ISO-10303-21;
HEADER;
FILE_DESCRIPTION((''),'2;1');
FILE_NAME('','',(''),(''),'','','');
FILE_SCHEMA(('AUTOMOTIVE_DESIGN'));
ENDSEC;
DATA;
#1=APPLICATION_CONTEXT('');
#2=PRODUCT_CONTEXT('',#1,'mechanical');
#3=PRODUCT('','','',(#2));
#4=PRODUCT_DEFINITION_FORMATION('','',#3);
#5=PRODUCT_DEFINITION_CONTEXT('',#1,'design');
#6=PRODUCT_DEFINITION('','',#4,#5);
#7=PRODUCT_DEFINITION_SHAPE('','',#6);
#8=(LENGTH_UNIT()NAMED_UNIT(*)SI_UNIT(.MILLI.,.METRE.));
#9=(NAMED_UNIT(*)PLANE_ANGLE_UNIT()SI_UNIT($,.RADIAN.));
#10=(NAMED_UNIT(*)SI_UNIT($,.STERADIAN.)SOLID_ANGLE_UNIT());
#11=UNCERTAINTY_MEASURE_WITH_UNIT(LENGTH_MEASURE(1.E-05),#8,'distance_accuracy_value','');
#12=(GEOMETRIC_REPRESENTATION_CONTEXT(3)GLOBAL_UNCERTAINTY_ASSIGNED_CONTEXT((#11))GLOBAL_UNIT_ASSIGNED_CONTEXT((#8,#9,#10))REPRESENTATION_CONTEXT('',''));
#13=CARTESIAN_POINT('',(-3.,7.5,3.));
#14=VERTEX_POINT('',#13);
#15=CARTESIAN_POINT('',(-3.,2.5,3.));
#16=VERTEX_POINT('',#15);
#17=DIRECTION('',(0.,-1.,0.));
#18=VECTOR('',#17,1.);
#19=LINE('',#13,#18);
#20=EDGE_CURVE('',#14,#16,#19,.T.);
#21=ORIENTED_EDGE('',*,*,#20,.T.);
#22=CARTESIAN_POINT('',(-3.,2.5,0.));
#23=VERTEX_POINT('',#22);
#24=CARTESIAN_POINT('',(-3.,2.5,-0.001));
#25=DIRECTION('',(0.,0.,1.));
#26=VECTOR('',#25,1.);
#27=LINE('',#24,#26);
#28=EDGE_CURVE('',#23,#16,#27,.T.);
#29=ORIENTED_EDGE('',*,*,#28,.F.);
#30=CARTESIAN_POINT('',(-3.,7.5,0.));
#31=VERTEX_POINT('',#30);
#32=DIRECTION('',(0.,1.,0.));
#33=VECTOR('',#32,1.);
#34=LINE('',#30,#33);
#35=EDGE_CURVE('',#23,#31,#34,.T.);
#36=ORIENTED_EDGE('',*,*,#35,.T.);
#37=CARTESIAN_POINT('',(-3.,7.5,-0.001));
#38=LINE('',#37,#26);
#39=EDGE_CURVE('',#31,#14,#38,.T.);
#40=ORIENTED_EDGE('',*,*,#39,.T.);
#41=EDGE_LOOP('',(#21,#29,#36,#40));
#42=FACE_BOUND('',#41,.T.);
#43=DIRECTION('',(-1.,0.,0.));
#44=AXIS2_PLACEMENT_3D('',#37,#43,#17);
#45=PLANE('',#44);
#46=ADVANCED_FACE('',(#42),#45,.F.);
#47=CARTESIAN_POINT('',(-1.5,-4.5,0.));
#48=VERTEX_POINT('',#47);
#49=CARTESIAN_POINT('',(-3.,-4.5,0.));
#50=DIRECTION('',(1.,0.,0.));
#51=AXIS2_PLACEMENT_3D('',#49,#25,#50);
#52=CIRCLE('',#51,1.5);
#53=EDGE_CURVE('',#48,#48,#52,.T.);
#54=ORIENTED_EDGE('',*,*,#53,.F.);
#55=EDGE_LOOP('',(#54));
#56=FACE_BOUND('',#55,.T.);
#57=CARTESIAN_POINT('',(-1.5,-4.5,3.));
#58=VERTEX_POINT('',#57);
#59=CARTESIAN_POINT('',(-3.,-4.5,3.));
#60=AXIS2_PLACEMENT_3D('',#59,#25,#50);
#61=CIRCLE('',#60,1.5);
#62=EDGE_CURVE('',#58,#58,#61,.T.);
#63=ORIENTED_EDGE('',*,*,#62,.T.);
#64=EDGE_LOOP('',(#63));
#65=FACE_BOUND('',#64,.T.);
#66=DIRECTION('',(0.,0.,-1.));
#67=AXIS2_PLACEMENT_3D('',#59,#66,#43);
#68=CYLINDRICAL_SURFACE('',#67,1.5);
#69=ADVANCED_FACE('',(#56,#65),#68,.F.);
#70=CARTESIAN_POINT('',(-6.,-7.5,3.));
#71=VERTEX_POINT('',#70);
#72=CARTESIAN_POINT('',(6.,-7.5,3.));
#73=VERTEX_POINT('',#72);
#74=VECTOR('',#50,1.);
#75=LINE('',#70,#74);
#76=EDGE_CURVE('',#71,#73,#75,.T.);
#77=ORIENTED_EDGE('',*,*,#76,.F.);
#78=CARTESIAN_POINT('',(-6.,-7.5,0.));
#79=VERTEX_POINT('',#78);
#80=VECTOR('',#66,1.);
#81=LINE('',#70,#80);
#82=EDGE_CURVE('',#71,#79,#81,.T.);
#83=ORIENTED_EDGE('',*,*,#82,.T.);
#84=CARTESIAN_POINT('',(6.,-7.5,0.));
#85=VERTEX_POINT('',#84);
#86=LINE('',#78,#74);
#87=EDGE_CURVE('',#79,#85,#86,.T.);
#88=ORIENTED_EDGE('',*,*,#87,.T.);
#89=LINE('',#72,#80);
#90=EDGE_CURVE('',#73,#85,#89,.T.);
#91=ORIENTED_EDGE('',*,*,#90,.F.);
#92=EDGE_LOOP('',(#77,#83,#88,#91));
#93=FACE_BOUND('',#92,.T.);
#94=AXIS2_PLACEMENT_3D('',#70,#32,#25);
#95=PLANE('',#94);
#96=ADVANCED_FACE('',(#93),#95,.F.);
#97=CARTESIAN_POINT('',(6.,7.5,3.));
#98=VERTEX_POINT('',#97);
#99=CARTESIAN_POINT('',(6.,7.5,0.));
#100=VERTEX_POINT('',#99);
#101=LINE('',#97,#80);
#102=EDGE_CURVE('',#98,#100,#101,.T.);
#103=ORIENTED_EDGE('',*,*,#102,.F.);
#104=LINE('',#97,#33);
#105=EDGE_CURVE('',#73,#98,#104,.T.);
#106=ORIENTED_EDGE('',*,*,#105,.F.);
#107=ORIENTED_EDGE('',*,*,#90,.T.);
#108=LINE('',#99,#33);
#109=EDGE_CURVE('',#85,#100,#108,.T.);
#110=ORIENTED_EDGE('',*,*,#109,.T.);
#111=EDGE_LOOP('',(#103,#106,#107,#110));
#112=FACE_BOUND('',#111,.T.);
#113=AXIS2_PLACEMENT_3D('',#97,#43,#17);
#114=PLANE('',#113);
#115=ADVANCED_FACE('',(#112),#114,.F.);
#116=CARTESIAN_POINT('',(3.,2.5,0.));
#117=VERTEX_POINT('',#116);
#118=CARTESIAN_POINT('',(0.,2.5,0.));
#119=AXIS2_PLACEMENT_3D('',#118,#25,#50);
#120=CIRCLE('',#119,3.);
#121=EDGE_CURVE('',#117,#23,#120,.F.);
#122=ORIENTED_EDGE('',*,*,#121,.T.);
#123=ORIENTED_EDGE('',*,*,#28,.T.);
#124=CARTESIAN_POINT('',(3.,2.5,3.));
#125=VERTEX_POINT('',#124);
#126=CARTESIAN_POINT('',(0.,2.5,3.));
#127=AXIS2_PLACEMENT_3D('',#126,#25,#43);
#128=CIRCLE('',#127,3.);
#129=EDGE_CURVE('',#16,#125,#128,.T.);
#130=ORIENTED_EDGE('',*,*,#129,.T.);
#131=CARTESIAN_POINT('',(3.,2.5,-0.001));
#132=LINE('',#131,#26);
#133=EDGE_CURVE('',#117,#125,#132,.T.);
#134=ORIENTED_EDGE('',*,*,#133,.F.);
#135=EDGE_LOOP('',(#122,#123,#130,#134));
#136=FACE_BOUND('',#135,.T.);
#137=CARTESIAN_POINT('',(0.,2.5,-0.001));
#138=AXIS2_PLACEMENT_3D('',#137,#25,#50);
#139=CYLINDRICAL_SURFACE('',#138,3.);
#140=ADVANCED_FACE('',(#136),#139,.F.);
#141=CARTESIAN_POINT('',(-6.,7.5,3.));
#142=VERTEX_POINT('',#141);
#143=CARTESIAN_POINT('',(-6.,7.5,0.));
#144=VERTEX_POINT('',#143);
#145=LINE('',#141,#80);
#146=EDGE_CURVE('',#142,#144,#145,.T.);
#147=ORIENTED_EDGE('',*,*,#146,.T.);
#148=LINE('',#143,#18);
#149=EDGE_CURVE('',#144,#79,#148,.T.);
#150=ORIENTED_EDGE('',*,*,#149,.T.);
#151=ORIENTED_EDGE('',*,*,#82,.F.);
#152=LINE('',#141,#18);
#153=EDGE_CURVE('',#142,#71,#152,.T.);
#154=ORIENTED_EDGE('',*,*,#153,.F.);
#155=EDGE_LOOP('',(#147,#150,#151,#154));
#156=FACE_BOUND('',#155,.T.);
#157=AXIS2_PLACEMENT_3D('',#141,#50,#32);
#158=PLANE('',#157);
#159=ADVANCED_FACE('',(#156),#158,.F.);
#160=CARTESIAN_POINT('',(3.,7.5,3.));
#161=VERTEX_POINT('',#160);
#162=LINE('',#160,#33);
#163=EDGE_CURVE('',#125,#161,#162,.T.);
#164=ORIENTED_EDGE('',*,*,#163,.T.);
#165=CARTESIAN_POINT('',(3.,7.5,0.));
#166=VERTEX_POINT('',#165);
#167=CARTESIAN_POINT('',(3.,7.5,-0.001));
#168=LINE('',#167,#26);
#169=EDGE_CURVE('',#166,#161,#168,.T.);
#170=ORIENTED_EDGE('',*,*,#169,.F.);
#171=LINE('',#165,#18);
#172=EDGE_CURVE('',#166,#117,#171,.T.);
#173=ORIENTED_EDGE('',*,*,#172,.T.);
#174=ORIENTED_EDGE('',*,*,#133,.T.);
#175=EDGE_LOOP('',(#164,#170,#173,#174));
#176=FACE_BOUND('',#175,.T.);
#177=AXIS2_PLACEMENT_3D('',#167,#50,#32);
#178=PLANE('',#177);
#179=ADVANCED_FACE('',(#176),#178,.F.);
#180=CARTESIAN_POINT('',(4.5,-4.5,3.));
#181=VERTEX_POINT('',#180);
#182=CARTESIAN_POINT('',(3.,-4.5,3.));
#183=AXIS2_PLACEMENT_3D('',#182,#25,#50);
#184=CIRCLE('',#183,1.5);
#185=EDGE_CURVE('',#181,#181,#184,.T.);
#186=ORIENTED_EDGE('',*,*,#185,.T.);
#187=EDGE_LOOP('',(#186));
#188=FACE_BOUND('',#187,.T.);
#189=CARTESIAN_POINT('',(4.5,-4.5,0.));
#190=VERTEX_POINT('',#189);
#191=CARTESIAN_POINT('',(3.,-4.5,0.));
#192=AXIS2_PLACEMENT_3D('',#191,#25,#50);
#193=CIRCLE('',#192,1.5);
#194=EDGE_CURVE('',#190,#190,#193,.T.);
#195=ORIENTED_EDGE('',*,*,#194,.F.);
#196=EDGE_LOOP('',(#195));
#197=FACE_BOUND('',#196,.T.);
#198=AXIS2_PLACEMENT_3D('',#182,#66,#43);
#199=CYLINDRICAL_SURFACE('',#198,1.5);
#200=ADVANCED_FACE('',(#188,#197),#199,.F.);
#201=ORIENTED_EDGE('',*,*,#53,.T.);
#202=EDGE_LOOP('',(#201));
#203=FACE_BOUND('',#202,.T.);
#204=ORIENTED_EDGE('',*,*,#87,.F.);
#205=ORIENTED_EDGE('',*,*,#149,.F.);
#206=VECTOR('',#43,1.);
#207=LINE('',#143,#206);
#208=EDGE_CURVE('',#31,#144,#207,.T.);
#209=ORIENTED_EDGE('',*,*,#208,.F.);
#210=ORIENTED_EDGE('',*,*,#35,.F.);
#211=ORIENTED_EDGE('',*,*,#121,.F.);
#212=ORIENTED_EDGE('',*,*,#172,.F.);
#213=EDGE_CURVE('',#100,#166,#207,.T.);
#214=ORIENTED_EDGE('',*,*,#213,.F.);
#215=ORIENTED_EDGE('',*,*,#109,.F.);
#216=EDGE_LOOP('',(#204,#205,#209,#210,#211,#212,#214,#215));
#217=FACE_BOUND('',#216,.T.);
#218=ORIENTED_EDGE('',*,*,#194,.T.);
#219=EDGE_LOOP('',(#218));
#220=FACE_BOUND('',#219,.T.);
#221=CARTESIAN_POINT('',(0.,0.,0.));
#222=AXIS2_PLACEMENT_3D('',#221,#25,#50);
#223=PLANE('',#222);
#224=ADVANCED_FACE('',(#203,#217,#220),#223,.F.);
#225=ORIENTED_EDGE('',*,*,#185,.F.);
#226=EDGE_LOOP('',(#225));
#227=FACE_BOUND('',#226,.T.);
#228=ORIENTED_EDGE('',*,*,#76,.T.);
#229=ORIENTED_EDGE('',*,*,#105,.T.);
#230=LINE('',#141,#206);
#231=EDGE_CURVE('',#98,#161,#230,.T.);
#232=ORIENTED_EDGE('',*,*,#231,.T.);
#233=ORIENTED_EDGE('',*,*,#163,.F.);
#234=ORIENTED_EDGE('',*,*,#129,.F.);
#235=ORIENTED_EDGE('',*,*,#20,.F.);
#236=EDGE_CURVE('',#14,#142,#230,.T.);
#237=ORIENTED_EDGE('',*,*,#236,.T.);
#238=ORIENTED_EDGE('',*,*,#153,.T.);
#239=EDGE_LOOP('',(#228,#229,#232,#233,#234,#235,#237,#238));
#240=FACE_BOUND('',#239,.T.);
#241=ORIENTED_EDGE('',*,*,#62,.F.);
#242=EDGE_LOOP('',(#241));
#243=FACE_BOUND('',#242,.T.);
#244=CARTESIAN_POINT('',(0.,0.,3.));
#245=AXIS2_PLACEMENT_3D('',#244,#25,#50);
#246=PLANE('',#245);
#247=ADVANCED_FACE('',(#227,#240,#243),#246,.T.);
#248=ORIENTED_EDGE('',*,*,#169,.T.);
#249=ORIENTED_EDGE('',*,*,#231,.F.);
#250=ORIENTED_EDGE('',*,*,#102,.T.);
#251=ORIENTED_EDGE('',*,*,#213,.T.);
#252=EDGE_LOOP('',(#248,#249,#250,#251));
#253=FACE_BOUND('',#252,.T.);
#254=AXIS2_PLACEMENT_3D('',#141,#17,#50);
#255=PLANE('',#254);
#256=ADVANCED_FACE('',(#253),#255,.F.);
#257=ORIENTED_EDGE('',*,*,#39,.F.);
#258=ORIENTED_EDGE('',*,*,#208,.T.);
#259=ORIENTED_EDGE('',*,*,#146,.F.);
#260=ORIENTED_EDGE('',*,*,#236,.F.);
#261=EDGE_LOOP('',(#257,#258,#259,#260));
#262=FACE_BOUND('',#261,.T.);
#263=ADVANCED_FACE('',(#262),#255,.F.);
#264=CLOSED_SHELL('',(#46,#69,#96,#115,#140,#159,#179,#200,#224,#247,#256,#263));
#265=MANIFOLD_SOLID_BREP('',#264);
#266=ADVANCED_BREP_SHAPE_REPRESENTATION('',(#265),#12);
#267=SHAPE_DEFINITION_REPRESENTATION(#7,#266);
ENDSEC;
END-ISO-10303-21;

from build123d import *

# Parameters (mm, degrees)
SKETCH1_W           = 12
SKETCH1_H           = 15
SKETCH1_R           = 1.5
BOSS_EXTRUDE1_DEPTH = 3
CUT_EXTRUDE1_REACH  = 12.062


with BuildPart() as part:
    # Sketch1 → Boss-Extrude1 (new body)
    with BuildSketch(Plane.XY):
        Rectangle(SKETCH1_W, SKETCH1_H)
        with Locations((-3, -4.5)):
            Circle(SKETCH1_R, mode=Mode.SUBTRACT)
        with Locations((3, -4.5)):
            Circle(SKETCH1_R, mode=Mode.SUBTRACT)
    extrude(amount=BOSS_EXTRUDE1_DEPTH)

    # Sketch2 → Cut-Extrude1 (cut, up to next)
    with BuildSketch(Plane.XY.offset(3), mode=Mode.PRIVATE) as cut_extrude1_sk1:
        with BuildLine():
            Line((-3, 7.5), (3, 7.5))
            Line((3, 7.5), (3, 2.5))
            ThreePointArc((3, 2.5), (0, -0.5), (-3, 2.5))
            Line((-3, 2.5), (-3, 7.5))
        make_face()
    cut_extrude1_tool1 = extrude(cut_extrude1_sk1.sketch, amount=-CUT_EXTRUDE1_REACH, mode=Mode.PRIVATE) & part.part
    add(cut_extrude1_tool1.solids().sort_by_distance((0, 3.791429, 3))[0], mode=Mode.SUBTRACT)


solid = part.part
